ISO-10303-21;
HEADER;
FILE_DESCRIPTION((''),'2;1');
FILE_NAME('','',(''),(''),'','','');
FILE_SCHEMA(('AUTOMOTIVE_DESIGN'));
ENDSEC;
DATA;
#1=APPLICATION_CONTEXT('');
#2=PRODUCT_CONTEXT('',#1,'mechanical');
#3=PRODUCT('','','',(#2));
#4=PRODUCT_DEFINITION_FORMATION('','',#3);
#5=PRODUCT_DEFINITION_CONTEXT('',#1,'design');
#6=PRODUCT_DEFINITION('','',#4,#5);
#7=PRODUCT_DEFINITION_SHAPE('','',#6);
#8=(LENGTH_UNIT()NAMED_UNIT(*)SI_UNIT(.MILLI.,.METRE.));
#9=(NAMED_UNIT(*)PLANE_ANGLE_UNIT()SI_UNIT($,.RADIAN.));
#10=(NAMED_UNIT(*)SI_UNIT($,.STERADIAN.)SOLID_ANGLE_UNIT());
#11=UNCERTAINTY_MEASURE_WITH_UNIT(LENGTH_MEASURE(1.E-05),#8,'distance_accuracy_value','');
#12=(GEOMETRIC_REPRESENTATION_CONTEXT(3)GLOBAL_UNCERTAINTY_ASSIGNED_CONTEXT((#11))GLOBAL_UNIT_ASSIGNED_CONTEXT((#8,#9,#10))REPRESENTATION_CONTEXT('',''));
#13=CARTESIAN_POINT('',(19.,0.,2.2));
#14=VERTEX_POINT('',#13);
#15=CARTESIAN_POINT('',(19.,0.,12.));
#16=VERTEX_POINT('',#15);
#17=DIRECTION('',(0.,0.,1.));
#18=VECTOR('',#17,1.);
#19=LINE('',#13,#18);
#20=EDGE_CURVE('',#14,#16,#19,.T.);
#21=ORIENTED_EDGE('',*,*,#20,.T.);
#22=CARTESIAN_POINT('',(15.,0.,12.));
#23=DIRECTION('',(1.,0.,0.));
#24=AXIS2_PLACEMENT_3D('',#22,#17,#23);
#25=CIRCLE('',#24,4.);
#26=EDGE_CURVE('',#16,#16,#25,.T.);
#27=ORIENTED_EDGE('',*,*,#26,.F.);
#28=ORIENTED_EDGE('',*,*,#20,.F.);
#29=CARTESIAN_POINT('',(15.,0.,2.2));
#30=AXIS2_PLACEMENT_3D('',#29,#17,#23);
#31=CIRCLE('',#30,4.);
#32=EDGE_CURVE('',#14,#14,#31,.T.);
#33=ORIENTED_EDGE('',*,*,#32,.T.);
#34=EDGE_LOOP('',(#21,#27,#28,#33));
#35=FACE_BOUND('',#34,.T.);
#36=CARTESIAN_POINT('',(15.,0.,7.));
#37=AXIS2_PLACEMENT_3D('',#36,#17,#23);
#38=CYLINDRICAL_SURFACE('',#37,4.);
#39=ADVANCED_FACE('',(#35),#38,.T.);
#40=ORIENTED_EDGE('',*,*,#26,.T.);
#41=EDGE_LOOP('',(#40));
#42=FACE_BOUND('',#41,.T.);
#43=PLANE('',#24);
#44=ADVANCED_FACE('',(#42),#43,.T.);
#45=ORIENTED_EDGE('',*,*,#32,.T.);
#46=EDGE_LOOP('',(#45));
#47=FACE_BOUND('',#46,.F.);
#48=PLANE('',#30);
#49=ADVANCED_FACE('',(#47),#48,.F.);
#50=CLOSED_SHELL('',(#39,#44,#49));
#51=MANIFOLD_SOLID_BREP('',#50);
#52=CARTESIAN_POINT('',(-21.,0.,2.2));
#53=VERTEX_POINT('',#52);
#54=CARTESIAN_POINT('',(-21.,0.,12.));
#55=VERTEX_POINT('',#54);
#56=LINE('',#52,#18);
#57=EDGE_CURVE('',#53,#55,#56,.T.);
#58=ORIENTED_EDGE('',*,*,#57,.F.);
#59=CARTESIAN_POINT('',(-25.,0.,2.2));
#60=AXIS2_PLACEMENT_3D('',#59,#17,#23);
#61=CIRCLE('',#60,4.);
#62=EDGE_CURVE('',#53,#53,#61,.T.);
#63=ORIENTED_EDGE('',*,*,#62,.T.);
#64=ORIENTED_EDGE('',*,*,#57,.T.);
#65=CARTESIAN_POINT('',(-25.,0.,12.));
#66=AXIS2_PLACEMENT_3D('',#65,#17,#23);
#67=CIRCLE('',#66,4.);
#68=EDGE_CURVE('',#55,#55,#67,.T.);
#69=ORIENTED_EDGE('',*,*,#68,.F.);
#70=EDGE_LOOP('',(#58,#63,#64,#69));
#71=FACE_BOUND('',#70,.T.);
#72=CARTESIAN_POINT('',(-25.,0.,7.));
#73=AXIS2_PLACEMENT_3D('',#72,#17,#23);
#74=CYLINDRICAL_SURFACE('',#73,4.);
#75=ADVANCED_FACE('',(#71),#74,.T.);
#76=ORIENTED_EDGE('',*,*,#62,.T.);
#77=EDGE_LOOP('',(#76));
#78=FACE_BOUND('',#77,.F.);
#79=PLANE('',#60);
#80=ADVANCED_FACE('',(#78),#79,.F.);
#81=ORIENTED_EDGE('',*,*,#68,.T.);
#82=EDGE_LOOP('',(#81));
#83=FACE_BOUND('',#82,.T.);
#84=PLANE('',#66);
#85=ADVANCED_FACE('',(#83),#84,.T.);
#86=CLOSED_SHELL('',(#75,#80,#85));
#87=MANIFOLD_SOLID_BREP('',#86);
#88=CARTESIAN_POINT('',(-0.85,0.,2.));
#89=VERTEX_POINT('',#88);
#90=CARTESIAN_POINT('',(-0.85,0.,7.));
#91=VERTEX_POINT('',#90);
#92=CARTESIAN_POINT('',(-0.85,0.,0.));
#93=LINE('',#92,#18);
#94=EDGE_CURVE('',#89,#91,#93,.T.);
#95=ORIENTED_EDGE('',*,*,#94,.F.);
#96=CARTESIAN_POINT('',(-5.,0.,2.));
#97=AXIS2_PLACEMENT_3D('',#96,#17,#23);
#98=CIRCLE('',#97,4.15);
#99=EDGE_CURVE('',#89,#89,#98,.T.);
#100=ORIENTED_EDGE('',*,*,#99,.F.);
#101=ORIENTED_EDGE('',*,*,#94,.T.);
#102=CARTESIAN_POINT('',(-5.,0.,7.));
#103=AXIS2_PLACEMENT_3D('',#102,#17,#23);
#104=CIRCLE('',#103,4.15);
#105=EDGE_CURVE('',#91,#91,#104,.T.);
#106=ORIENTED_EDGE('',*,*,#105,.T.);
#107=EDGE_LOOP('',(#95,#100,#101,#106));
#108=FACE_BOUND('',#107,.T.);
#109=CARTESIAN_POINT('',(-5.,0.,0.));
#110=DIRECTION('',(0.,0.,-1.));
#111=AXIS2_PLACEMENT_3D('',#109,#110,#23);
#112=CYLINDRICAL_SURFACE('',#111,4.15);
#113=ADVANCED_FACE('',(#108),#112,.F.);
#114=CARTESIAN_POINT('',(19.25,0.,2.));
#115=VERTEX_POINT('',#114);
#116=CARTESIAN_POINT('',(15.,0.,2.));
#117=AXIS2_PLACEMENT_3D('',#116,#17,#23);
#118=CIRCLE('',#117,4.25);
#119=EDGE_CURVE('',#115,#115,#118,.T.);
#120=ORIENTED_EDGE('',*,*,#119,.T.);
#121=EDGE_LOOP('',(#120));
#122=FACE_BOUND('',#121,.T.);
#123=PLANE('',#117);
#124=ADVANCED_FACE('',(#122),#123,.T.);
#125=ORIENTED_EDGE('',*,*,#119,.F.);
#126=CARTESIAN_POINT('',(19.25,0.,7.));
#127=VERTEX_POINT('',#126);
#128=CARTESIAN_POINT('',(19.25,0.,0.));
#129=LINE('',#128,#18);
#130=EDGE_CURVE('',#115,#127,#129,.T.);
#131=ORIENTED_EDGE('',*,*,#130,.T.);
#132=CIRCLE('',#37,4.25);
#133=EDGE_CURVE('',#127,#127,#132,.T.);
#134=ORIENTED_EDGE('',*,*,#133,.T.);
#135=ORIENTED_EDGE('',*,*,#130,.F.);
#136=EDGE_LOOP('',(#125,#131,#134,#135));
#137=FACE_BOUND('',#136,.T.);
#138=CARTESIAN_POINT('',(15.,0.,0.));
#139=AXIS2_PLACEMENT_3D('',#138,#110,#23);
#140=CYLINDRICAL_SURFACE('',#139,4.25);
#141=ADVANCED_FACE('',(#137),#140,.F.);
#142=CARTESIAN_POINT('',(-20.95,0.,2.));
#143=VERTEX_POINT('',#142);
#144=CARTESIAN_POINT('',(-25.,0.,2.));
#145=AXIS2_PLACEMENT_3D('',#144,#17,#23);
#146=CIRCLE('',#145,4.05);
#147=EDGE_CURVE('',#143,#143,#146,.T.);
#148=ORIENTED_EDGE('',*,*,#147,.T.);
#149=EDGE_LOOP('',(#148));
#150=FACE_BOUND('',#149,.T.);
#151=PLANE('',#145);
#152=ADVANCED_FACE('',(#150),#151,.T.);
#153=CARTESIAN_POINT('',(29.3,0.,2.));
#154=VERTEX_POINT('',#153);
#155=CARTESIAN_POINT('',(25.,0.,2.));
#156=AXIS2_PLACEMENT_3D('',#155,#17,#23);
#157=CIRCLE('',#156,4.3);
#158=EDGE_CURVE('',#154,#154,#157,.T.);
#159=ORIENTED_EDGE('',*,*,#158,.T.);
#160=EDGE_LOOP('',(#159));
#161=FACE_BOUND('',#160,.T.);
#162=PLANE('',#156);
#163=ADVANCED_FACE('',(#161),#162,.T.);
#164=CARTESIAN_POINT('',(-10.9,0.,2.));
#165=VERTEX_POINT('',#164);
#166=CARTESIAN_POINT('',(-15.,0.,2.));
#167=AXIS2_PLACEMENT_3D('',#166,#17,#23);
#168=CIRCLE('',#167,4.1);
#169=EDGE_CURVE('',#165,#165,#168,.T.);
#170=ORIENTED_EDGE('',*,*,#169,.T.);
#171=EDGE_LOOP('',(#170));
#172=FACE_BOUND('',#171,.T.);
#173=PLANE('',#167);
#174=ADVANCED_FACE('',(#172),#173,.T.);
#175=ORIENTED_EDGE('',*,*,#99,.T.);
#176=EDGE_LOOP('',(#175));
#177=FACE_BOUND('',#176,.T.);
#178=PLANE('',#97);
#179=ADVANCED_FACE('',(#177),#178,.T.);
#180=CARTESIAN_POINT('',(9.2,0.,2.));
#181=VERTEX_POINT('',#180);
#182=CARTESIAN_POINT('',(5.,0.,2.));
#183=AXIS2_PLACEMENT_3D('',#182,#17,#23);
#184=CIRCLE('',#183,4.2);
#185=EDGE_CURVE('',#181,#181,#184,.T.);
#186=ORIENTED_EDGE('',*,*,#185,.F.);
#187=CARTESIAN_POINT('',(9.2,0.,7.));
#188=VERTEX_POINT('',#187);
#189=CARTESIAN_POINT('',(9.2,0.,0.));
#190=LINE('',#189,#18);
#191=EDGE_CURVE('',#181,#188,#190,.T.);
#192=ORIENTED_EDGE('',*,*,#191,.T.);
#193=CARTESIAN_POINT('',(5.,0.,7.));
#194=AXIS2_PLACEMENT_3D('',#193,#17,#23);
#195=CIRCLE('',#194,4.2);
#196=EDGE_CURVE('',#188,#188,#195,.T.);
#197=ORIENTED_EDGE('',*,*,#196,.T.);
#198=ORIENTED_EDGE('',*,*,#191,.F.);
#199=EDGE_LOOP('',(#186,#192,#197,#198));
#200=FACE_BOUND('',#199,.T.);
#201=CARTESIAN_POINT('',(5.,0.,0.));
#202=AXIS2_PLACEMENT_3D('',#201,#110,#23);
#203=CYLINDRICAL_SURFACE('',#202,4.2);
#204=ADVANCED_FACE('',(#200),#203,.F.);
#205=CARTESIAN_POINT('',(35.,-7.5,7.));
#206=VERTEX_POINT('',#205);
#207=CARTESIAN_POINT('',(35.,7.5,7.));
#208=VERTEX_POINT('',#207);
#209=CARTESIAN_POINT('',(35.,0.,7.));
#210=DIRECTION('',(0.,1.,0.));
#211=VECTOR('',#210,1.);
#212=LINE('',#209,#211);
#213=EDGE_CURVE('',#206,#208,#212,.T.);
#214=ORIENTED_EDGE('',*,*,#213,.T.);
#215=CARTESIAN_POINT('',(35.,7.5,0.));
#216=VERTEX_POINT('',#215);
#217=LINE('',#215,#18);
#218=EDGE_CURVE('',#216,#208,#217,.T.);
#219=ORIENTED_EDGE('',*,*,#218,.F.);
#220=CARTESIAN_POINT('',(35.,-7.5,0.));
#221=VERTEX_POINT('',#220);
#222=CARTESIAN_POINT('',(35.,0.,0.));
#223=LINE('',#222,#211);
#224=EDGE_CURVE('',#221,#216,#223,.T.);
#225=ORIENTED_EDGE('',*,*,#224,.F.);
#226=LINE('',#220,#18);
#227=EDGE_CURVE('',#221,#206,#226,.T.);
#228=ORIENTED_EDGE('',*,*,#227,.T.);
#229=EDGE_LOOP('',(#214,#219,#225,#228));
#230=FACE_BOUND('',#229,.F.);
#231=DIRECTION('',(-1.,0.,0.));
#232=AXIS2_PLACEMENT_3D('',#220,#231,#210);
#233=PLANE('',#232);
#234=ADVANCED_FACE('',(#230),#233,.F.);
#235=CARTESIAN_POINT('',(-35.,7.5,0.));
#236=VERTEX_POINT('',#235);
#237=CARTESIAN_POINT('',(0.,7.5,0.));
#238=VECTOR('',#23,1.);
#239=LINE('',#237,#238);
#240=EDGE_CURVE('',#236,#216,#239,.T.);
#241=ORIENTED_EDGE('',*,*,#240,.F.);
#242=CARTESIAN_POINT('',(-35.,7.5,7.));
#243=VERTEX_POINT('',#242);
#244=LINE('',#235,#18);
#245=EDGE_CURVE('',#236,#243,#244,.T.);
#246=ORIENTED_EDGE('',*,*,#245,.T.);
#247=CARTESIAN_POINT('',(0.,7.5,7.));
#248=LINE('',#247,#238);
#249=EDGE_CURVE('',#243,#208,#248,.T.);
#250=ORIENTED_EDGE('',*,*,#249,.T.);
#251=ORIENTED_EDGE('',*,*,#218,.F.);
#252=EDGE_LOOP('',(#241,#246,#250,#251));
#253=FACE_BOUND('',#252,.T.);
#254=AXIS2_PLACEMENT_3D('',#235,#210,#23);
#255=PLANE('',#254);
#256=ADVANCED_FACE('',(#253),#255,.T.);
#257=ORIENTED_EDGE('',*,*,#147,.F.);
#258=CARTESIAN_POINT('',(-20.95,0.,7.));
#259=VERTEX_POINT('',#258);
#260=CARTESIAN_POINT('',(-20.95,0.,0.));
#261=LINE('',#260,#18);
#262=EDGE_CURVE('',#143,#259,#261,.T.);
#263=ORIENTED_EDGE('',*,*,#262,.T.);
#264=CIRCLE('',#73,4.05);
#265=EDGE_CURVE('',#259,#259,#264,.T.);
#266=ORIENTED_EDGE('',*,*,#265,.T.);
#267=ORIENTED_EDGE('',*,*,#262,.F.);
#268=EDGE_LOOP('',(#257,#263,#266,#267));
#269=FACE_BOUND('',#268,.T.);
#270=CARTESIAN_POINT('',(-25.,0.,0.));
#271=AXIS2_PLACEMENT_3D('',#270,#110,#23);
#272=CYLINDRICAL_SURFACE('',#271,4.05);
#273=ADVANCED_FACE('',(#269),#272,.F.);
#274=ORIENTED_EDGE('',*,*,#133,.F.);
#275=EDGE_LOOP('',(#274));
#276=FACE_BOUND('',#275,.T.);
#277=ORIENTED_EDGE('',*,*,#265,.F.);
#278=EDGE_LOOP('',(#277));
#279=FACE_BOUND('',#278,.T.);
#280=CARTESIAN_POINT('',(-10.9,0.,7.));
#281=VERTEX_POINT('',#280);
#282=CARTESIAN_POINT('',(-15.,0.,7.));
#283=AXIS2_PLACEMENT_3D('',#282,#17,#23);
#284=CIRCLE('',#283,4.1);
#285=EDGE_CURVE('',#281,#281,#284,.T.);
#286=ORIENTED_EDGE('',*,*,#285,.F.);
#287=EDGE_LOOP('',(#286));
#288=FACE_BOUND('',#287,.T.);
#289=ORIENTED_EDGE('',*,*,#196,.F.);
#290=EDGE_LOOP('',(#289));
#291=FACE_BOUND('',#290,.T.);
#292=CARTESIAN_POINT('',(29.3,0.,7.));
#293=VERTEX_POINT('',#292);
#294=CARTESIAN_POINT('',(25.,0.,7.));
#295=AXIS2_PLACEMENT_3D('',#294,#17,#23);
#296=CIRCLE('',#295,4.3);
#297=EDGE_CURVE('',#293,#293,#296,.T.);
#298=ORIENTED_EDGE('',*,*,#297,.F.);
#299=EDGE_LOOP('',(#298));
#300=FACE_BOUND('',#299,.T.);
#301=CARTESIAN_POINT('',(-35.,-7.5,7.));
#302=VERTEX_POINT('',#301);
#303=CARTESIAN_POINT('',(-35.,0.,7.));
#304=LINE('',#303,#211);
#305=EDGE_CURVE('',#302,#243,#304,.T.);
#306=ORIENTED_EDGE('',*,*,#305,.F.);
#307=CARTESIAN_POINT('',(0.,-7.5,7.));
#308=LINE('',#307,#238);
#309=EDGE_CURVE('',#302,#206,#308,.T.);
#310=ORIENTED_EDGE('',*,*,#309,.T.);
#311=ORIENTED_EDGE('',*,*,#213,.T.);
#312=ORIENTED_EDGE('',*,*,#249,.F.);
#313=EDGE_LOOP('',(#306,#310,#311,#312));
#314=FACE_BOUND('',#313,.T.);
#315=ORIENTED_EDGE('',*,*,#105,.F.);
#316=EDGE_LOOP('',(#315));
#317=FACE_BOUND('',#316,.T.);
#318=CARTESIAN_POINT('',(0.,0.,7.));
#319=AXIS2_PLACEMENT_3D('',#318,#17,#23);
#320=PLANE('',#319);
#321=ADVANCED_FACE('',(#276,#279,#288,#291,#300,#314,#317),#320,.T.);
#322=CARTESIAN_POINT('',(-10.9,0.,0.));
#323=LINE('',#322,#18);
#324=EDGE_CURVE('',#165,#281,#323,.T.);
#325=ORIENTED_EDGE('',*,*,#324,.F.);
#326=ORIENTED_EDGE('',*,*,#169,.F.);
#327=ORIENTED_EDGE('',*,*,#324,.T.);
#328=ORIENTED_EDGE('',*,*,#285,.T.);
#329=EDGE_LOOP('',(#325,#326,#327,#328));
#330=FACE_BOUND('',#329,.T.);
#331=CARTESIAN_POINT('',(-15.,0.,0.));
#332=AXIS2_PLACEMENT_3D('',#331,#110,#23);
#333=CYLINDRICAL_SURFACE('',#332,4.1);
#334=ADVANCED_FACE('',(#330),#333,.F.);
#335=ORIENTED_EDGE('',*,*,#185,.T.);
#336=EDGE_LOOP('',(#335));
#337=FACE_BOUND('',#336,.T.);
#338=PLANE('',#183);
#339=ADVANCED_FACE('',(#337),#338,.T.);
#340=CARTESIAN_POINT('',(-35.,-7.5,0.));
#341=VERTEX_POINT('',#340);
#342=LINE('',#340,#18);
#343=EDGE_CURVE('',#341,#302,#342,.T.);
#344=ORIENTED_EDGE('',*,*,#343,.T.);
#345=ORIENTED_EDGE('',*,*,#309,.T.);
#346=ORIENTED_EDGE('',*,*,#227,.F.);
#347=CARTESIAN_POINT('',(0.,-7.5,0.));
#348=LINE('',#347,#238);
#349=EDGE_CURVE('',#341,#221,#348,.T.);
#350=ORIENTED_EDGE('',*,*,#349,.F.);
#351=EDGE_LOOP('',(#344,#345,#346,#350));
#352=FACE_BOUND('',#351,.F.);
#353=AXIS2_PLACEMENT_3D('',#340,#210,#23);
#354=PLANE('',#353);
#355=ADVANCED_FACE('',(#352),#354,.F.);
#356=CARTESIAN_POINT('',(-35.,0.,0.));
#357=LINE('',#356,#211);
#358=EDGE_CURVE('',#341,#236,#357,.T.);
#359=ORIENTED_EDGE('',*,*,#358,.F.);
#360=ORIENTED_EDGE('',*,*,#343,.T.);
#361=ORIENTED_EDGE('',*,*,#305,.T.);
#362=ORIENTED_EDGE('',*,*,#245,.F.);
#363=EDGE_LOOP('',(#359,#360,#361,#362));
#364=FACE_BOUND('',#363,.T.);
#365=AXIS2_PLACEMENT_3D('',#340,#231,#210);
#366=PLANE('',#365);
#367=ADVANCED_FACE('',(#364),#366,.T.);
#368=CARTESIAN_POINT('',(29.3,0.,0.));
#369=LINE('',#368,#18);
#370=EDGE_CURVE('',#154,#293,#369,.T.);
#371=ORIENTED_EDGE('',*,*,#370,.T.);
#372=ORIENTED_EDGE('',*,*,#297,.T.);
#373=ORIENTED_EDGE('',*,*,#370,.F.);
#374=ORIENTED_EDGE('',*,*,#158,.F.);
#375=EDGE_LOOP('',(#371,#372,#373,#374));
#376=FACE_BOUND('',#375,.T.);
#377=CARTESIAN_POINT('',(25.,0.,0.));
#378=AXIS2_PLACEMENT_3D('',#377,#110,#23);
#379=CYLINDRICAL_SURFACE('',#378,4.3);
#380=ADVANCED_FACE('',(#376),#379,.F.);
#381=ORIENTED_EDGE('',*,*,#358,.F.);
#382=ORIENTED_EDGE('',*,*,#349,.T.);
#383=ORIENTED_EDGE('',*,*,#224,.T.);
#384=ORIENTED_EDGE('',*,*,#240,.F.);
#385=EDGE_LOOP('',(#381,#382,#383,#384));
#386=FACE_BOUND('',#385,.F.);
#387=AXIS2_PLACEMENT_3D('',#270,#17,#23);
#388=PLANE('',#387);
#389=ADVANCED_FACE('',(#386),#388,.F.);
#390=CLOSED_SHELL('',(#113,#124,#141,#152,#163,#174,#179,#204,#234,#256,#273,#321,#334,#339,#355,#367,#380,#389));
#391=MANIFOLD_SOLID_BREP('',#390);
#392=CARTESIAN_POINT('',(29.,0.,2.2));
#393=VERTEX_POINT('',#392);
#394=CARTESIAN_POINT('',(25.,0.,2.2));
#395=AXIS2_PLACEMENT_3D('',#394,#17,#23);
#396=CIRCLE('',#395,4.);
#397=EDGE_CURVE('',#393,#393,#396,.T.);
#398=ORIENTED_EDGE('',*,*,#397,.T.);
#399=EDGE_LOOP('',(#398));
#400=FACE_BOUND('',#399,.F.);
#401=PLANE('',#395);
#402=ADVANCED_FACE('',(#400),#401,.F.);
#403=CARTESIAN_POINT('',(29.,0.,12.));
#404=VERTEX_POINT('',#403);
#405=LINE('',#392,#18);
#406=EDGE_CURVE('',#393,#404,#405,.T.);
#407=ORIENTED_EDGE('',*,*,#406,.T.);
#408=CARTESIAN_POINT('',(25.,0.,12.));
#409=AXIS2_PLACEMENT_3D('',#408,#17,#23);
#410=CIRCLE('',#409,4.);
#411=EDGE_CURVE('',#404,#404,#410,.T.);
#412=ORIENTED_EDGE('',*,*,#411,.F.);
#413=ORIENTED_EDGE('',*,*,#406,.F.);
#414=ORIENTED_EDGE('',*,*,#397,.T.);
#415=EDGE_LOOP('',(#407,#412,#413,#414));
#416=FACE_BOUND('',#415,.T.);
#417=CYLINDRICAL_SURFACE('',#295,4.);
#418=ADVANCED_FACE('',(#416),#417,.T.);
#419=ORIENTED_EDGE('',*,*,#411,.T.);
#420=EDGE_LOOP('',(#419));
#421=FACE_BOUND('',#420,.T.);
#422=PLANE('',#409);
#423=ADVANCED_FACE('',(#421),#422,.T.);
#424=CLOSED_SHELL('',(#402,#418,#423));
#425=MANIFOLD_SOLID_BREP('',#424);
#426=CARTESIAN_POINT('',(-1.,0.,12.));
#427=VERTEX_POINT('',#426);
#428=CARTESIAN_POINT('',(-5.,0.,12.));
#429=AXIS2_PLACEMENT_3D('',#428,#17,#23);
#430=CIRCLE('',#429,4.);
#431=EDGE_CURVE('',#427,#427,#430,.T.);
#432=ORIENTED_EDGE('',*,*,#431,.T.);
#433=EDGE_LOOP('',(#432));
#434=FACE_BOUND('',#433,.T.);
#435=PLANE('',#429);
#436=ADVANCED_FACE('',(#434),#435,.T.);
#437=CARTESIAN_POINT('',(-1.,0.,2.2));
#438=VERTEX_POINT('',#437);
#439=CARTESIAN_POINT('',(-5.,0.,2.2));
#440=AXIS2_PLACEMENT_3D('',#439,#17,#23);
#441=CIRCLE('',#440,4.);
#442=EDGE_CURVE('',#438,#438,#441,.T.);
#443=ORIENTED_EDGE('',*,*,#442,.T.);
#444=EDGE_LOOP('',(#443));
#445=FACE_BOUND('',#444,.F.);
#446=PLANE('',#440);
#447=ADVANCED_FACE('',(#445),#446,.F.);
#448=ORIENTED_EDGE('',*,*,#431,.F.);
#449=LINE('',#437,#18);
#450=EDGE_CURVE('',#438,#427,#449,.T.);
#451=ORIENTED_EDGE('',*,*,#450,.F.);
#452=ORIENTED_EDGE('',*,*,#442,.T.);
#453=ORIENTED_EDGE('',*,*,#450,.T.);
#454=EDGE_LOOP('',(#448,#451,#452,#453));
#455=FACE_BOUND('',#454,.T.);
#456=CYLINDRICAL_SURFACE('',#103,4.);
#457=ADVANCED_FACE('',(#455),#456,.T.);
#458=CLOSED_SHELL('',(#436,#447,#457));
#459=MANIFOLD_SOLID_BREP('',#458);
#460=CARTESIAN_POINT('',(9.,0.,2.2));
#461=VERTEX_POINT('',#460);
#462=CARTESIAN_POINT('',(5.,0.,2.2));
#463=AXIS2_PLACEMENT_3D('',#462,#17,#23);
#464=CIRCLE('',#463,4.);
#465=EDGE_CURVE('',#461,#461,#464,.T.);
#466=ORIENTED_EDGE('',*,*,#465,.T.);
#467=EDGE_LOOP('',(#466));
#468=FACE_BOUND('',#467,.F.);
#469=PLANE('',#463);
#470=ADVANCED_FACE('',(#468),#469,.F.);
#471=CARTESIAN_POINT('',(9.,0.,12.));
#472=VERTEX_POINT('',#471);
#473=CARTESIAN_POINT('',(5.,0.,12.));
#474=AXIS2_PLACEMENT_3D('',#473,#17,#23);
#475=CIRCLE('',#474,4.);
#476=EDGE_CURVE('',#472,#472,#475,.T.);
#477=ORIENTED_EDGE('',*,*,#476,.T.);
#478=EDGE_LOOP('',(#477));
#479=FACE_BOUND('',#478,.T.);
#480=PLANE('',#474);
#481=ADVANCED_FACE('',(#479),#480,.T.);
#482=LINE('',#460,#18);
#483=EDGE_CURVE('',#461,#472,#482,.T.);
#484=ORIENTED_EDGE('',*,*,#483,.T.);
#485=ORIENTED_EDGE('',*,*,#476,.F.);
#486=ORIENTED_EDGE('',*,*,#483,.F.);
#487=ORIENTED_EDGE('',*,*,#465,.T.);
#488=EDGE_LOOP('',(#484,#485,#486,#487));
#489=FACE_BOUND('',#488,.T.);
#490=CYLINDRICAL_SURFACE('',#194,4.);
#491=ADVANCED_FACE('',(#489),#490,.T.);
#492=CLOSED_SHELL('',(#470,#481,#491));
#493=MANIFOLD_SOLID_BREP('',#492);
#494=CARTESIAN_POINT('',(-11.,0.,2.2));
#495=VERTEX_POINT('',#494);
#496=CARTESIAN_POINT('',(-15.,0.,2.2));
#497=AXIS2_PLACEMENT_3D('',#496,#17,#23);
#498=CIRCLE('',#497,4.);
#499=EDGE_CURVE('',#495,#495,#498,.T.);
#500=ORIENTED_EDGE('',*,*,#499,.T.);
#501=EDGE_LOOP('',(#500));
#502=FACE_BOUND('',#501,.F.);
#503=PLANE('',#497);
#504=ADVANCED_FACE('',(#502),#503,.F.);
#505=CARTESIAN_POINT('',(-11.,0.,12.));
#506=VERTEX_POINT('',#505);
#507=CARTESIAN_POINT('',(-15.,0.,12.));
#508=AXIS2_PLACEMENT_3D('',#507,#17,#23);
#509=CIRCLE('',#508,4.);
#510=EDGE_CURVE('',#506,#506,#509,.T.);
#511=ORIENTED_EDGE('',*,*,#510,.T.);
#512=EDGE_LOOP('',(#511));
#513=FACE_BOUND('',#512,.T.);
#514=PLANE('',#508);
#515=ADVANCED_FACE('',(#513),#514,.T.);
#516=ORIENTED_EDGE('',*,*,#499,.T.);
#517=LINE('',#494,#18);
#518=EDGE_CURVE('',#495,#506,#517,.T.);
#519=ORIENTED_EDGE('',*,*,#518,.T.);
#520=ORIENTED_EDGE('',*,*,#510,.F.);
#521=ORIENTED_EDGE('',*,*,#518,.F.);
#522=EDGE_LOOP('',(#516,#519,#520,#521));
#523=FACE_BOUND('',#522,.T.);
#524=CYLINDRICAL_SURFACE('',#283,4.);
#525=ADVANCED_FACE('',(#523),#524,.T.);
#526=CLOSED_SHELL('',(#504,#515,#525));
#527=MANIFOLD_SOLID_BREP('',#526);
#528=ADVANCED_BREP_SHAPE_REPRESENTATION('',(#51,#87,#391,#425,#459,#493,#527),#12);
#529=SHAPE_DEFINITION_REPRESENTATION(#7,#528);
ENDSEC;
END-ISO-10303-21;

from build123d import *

# Parameters (mm, degrees)
F0_W          = 70
F0_H          = 15
F0_R          = 4.05
F0_R_2        = 4.1
F0_R_3        = 4.15
F0_R_4        = 4.2
F0_R_5        = 4.25
F0_R_6        = 4.3
F1_DEPTH      = 7
F2_DEPTH      = 2
F3_R          = 4
F4_DEPTH      = 5
F4_DEPTH_BACK = 4.8


with BuildPart() as f1:
    # F0 (on Top) → F1 (new body)
    with BuildSketch(Plane.XY):
        Rectangle(F0_W, F0_H)
        with Locations((-25, 0)):
            Circle(F0_R, mode=Mode.SUBTRACT)
        with Locations((-15, 0)):
            Circle(F0_R_2, mode=Mode.SUBTRACT)
        with Locations((-5, 0)):
            Circle(F0_R_3, mode=Mode.SUBTRACT)
        with Locations((5, 0)):
            Circle(F0_R_4, mode=Mode.SUBTRACT)
        with Locations((15, 0)):
            Circle(F0_R_5, mode=Mode.SUBTRACT)
        with Locations((25, 0)):
            Circle(F0_R_6, mode=Mode.SUBTRACT)
    extrude(amount=F1_DEPTH)

    # F0 (on Top) → F2 (join)
    with BuildSketch(Plane.XY):
        with Locations((-25, 0)):
            Circle(F0_R)
        with Locations((-15, 0)):
            Circle(F0_R_2)
        with Locations((-5, 0)):
            Circle(F0_R_3)
        with Locations((5, 0)):
            Circle(F0_R_4)
        with Locations((15, 0)):
            Circle(F0_R_5)
        with Locations((25, 0)):
            Circle(F0_R_6)
    extrude(amount=F2_DEPTH)


with BuildPart() as f4:
    # F3 (on face) → F4 (new body, two sides)
    with BuildSketch(Plane.XY.offset(7)) as f4_sk:
        with Locations((-25, 0)):
            Circle(F3_R)
        with Locations((-15, 0)):
            Circle(F3_R)
        with Locations((-5, 0)):
            Circle(F3_R)
        with Locations((5, 0)):
            Circle(F3_R)
        with Locations((15, 0)):
            Circle(F3_R)
        with Locations((25, 0)):
            Circle(F3_R)
    extrude(amount=F4_DEPTH)
    extrude(f4_sk.sketch, amount=-F4_DEPTH_BACK)


solid = Compound([f1.part, f4.part])
